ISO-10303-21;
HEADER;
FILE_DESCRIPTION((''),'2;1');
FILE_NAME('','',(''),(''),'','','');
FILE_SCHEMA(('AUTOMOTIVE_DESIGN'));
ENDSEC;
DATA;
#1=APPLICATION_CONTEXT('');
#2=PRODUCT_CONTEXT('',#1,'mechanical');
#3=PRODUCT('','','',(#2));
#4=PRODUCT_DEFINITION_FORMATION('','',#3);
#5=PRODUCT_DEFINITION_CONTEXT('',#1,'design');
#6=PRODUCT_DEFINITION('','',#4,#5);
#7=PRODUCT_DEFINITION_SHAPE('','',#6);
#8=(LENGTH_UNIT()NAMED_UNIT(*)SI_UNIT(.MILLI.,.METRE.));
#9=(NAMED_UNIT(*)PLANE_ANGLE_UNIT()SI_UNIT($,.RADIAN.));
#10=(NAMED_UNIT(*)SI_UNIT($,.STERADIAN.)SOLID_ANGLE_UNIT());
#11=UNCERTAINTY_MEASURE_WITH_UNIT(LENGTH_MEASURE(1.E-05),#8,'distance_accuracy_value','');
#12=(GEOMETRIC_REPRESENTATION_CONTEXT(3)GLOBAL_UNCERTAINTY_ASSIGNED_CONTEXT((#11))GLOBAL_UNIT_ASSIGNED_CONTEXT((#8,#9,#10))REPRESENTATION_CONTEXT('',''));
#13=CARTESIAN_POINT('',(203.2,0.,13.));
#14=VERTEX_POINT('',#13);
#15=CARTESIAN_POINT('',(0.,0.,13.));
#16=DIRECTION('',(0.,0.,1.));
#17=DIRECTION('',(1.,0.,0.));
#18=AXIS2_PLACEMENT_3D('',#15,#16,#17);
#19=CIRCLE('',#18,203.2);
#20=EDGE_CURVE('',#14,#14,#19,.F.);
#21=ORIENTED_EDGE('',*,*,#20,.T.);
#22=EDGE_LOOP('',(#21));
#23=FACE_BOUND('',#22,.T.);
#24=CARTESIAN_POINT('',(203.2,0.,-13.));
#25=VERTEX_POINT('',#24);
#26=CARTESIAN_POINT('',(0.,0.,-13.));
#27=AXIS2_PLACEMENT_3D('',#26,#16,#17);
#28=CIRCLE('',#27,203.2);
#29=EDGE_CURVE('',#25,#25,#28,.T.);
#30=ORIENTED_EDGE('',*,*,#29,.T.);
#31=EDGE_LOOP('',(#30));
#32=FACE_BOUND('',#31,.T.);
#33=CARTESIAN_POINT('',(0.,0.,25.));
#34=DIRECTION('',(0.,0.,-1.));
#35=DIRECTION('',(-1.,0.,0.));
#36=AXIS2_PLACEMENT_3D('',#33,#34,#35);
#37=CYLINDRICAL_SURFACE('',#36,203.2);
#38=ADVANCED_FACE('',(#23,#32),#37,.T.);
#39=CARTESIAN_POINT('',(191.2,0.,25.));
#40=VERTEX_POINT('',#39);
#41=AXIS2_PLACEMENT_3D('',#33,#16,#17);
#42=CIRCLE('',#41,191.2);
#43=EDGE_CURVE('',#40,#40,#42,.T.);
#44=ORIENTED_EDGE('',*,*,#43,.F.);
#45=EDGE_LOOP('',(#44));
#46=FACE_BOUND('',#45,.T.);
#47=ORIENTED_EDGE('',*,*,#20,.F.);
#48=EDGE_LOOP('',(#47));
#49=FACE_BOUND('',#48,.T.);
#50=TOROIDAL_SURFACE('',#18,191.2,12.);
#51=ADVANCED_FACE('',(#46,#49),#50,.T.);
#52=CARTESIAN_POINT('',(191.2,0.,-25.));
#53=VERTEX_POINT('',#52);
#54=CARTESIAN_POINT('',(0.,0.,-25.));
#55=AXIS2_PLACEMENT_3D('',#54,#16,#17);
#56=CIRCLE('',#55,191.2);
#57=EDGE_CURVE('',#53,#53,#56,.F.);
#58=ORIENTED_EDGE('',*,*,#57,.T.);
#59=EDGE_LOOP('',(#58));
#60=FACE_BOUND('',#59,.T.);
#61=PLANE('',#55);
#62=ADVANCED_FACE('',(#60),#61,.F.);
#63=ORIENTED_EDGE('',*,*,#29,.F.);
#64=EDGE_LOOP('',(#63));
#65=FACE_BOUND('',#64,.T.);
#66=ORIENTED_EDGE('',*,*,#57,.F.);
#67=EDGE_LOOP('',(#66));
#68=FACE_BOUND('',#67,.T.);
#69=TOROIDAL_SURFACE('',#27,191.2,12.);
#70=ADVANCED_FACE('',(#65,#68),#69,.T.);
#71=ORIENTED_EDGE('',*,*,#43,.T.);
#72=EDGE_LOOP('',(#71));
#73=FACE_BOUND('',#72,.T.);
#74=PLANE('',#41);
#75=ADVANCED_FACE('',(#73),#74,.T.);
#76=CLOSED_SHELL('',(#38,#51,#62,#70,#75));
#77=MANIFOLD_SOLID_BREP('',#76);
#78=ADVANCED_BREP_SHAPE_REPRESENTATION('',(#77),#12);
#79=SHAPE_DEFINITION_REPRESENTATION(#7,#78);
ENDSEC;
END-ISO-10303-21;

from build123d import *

# Parameters (mm, degrees)
SKETCH1_R           = 203.2
BOSS_EXTRUDE1_DEPTH = 25
FILLET1_R           = 12


with BuildPart() as part:
    # Sketch1 → Boss-Extrude1 (new body, symmetric)
    with BuildSketch(Plane.XY):
        Circle(SKETCH1_R)
    extrude(amount=BOSS_EXTRUDE1_DEPTH, both=True)

    # Fillet1
    fillet1_edges = [part.edges().sort_by_distance(p)[0] for p in [
        (-203.2, 0, -25),
        (-203.2, 0, 25),
    ]]
    fillet(fillet1_edges, radius=FILLET1_R)


solid = part.part
